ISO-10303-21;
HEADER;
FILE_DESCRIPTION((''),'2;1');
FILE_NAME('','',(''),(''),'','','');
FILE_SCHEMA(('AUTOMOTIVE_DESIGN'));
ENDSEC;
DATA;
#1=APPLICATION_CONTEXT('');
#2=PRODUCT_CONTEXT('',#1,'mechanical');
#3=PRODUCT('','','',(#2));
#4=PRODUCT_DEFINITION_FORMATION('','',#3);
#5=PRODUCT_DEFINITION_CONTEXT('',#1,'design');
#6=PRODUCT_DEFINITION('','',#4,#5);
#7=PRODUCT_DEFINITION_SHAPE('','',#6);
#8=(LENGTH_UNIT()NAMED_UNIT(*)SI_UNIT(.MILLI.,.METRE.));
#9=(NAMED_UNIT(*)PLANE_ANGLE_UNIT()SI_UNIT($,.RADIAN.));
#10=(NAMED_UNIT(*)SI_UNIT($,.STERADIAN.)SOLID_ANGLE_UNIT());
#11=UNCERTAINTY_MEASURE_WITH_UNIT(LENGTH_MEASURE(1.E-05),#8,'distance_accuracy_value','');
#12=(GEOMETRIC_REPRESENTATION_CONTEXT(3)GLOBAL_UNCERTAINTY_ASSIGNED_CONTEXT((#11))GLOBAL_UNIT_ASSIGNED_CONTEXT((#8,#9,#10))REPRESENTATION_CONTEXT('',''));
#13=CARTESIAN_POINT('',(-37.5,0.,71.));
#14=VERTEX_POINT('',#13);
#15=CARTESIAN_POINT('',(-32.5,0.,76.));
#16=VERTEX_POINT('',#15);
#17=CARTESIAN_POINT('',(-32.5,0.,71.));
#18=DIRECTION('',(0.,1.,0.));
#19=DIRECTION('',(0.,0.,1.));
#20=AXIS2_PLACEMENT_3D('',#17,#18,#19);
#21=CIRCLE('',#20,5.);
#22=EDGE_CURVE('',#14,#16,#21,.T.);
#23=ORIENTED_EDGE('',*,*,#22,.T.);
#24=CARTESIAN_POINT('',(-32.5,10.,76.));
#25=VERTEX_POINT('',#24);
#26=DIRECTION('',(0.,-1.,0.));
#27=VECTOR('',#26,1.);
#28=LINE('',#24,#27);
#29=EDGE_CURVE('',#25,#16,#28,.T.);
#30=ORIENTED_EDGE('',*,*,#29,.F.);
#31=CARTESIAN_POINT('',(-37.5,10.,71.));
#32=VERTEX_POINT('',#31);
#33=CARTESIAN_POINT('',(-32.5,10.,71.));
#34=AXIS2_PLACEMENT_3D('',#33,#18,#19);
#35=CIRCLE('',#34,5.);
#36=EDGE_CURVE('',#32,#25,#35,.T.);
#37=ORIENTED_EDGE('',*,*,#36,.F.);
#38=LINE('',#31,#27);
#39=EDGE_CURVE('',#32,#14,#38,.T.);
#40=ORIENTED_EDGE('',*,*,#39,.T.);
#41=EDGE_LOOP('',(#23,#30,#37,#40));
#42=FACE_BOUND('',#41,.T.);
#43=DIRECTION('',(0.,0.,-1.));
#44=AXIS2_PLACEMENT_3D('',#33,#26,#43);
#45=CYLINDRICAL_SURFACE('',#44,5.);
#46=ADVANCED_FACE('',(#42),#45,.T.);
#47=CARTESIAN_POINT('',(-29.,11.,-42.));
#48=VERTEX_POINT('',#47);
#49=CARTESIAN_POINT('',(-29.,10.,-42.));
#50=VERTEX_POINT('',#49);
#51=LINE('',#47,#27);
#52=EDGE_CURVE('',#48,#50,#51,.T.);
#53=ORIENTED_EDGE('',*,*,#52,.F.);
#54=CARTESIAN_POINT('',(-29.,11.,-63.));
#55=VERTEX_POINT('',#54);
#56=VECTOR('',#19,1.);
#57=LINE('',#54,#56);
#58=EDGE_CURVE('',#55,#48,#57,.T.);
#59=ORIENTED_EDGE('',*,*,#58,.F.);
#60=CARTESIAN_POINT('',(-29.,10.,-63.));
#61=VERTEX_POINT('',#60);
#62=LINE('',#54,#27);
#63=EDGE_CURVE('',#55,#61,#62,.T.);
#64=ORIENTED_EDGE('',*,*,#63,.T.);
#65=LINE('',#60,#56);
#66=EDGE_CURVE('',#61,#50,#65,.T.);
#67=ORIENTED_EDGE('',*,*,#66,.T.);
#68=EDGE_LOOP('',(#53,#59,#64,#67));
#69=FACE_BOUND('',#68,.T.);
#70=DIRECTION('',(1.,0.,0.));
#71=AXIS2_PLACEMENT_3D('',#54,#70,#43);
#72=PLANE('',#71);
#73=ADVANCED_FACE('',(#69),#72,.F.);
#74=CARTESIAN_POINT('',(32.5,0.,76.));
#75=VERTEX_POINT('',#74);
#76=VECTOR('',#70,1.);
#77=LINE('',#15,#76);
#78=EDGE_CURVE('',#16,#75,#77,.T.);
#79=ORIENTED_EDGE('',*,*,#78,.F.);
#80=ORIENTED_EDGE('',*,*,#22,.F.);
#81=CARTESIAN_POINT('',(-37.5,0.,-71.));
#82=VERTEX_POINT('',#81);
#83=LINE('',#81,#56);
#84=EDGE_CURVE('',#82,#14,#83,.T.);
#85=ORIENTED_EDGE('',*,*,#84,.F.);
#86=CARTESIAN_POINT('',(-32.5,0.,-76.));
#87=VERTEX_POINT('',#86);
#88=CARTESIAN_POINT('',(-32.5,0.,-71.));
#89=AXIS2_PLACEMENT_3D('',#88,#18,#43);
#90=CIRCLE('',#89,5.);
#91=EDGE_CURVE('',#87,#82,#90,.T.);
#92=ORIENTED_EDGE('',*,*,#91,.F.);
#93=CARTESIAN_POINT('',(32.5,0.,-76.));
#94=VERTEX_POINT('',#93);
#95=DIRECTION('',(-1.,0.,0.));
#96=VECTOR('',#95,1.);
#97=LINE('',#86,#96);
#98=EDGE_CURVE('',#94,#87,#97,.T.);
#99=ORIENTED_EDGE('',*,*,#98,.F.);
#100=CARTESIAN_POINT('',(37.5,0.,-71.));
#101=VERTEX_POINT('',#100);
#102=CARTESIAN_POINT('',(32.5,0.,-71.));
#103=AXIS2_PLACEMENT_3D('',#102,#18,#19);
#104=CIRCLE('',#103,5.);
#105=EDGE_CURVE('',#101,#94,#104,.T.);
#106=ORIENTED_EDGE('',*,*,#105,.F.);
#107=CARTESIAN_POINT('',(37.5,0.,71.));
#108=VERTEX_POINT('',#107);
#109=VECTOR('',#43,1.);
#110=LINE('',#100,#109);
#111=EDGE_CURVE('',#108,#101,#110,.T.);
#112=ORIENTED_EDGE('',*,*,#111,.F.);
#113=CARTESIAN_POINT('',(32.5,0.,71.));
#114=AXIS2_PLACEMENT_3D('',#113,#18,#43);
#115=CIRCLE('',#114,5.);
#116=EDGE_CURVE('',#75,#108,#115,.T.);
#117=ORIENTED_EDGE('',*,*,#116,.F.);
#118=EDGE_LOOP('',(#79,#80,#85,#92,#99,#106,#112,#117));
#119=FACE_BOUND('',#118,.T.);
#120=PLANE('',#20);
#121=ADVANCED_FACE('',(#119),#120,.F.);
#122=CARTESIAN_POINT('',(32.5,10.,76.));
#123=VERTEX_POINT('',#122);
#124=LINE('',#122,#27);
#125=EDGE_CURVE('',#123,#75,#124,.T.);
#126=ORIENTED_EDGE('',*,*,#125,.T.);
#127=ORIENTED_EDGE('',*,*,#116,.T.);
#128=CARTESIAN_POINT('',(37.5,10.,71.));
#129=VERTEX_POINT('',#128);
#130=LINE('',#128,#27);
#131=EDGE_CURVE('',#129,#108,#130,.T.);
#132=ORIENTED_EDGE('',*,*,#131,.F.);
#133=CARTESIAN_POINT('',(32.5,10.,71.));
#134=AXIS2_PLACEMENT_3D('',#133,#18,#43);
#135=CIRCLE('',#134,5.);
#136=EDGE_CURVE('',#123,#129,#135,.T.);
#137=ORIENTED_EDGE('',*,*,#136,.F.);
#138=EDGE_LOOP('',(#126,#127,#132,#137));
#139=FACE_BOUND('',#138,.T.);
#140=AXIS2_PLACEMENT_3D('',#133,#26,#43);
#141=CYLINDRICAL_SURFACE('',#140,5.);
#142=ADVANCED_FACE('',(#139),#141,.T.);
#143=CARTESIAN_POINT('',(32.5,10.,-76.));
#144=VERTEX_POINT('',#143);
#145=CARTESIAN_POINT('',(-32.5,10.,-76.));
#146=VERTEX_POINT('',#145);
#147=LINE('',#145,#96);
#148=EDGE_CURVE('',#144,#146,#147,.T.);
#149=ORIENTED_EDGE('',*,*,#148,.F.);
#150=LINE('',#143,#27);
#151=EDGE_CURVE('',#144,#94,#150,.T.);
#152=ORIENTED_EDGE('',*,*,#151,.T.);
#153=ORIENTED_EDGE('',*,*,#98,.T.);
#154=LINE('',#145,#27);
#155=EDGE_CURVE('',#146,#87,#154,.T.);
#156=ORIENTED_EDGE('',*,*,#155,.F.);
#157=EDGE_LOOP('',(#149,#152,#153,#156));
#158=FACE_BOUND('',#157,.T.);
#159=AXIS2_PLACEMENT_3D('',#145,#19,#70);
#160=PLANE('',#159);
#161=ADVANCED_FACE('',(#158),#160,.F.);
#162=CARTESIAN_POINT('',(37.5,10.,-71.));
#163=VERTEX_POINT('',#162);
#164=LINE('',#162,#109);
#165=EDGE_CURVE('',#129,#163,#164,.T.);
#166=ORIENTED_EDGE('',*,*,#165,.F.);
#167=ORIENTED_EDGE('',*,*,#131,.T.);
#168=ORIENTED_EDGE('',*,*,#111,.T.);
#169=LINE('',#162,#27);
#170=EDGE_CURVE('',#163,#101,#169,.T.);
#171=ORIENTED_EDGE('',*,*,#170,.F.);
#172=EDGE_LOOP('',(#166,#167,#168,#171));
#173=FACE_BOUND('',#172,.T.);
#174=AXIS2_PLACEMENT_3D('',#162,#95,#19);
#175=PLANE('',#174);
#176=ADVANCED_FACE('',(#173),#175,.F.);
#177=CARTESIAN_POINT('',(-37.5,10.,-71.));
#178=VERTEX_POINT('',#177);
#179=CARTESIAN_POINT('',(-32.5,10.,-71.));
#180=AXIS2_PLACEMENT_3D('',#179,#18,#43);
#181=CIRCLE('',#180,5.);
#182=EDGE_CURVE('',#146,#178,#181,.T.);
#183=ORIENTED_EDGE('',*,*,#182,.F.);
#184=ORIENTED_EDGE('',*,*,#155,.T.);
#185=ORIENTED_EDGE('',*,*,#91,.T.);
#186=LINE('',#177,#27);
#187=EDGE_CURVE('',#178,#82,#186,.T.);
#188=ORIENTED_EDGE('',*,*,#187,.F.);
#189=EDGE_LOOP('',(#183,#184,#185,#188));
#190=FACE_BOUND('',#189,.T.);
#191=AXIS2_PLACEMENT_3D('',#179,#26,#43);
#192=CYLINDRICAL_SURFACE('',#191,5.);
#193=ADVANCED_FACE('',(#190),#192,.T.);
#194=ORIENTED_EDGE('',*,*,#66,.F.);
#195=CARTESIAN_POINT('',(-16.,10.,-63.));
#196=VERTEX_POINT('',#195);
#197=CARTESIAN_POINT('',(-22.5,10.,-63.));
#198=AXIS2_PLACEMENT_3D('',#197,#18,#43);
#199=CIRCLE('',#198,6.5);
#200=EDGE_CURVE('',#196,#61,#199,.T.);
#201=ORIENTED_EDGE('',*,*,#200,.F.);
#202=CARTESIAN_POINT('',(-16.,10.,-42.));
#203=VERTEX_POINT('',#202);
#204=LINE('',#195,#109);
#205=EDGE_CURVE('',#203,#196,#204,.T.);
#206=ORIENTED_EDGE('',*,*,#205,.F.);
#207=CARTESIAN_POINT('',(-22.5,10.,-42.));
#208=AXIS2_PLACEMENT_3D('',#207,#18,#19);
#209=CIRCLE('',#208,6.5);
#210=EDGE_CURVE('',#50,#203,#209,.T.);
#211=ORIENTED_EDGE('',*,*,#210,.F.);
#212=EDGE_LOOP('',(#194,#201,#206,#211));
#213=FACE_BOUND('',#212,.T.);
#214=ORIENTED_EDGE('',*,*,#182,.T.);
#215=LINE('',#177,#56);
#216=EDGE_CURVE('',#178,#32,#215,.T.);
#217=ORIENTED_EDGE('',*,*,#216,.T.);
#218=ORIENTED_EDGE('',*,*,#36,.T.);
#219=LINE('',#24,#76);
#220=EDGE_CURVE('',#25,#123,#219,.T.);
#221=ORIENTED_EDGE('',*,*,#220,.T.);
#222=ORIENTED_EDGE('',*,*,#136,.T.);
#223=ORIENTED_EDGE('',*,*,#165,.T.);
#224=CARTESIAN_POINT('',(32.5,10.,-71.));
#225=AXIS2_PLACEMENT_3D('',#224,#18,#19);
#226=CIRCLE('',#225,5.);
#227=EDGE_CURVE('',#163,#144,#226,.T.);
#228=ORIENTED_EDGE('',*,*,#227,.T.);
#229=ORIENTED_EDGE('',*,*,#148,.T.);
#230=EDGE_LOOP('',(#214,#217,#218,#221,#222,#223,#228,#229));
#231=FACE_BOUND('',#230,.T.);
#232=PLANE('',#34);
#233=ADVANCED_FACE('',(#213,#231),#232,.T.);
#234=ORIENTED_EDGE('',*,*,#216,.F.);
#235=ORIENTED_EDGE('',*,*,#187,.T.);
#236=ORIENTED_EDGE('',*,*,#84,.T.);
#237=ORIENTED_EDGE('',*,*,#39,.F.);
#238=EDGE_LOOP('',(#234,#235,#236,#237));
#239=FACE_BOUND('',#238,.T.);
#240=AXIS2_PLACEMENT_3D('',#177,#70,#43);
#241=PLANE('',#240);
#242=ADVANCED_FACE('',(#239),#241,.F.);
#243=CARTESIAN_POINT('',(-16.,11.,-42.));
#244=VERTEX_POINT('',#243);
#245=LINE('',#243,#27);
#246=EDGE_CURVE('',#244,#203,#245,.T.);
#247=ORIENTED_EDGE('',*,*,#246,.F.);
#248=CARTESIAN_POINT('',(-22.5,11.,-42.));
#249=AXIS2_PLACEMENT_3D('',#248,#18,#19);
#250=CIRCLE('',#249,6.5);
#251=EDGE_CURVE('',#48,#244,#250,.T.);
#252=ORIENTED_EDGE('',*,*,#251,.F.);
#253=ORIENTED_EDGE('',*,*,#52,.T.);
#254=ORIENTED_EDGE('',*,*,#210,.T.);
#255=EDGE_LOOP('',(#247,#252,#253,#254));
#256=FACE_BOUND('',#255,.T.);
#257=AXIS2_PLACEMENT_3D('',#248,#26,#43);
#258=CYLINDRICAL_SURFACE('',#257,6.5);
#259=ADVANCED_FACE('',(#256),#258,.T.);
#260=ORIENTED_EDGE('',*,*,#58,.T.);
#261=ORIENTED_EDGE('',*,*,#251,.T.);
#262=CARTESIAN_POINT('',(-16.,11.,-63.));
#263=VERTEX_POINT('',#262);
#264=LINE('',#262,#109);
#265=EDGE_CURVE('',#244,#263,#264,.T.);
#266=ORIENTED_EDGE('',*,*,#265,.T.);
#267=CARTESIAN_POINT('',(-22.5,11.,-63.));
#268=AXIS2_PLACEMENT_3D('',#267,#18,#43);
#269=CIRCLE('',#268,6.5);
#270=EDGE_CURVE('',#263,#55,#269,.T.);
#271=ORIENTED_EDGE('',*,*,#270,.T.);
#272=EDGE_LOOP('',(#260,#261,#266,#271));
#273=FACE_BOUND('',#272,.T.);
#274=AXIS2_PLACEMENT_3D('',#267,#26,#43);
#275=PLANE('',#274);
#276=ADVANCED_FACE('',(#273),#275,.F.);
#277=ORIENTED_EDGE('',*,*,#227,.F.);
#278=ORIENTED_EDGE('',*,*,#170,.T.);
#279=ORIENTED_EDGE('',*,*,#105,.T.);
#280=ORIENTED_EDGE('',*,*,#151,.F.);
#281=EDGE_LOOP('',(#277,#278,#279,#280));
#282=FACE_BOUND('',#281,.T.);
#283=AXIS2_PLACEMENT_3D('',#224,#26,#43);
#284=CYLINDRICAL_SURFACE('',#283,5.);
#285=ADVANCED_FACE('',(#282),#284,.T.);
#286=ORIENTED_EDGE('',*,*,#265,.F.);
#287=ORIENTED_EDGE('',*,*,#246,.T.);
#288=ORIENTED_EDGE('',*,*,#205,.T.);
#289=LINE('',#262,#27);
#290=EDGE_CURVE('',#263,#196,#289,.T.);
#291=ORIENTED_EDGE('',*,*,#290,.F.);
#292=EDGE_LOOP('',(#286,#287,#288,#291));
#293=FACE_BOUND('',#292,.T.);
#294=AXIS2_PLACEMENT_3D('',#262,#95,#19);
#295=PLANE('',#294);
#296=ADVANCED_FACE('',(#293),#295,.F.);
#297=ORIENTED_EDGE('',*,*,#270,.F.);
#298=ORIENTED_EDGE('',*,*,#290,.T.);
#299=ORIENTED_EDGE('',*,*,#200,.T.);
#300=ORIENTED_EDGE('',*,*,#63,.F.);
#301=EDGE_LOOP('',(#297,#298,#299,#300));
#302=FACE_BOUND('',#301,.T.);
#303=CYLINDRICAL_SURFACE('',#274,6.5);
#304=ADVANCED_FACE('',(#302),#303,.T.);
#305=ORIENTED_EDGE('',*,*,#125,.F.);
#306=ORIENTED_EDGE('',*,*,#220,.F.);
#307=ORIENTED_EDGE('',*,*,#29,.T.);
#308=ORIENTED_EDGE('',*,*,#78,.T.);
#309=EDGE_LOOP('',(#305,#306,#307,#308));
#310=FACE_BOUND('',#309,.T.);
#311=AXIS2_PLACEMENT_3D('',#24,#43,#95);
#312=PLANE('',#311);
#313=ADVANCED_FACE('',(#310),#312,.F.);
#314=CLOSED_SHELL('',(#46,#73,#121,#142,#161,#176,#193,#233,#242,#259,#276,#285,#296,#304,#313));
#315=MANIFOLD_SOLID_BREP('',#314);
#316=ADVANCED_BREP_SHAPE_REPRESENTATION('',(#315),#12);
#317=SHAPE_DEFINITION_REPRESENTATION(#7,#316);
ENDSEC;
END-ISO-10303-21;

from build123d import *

# Parameters (mm, degrees)
EXTRUDE_1_DEPTH = 10
EXTRUDE_2_DEPTH = 1


with BuildPart() as part:
    # 草图1 → 凸台-拉伸1 (new body)
    with BuildSketch(Plane(origin=(0, 0, 0), x_dir=(1, 0, 0), z_dir=(0, 1, 0))):
        with BuildLine():
            Line((-32.5, 76), (32.5, 76))
            ThreePointArc((32.5, 76), (36.035533906, 74.535533906), (37.5, 71))
            Line((37.5, 71), (37.5, -71))
            ThreePointArc((37.5, -71), (36.035533906, -74.535533906), (32.5, -76))
            Line((32.5, -76), (-32.5, -76))
            ThreePointArc((-32.5, -76), (-36.035533906, -74.535533906), (-37.5, -71))
            Line((-37.5, -71), (-37.5, 71))
            ThreePointArc((-37.5, 71), (-36.035533906, 74.535533906), (-32.5, 76))
        make_face()
    extrude(amount=EXTRUDE_1_DEPTH)

    # 草图2 → 凸台-拉伸2 (add)
    with BuildSketch(Plane(origin=(0, 10, 0), x_dir=(1, 0, 0), z_dir=(0, 1, 0))):
        with BuildLine():
            Line((-29, 63), (-29, 42))
            ThreePointArc((-29, 42), (-22.5, 35.5), (-16, 42))
            Line((-16, 42), (-16, 63))
            ThreePointArc((-16, 63), (-22.5, 69.5), (-29, 63))
        make_face()
    extrude(amount=EXTRUDE_2_DEPTH)


solid = part.part
